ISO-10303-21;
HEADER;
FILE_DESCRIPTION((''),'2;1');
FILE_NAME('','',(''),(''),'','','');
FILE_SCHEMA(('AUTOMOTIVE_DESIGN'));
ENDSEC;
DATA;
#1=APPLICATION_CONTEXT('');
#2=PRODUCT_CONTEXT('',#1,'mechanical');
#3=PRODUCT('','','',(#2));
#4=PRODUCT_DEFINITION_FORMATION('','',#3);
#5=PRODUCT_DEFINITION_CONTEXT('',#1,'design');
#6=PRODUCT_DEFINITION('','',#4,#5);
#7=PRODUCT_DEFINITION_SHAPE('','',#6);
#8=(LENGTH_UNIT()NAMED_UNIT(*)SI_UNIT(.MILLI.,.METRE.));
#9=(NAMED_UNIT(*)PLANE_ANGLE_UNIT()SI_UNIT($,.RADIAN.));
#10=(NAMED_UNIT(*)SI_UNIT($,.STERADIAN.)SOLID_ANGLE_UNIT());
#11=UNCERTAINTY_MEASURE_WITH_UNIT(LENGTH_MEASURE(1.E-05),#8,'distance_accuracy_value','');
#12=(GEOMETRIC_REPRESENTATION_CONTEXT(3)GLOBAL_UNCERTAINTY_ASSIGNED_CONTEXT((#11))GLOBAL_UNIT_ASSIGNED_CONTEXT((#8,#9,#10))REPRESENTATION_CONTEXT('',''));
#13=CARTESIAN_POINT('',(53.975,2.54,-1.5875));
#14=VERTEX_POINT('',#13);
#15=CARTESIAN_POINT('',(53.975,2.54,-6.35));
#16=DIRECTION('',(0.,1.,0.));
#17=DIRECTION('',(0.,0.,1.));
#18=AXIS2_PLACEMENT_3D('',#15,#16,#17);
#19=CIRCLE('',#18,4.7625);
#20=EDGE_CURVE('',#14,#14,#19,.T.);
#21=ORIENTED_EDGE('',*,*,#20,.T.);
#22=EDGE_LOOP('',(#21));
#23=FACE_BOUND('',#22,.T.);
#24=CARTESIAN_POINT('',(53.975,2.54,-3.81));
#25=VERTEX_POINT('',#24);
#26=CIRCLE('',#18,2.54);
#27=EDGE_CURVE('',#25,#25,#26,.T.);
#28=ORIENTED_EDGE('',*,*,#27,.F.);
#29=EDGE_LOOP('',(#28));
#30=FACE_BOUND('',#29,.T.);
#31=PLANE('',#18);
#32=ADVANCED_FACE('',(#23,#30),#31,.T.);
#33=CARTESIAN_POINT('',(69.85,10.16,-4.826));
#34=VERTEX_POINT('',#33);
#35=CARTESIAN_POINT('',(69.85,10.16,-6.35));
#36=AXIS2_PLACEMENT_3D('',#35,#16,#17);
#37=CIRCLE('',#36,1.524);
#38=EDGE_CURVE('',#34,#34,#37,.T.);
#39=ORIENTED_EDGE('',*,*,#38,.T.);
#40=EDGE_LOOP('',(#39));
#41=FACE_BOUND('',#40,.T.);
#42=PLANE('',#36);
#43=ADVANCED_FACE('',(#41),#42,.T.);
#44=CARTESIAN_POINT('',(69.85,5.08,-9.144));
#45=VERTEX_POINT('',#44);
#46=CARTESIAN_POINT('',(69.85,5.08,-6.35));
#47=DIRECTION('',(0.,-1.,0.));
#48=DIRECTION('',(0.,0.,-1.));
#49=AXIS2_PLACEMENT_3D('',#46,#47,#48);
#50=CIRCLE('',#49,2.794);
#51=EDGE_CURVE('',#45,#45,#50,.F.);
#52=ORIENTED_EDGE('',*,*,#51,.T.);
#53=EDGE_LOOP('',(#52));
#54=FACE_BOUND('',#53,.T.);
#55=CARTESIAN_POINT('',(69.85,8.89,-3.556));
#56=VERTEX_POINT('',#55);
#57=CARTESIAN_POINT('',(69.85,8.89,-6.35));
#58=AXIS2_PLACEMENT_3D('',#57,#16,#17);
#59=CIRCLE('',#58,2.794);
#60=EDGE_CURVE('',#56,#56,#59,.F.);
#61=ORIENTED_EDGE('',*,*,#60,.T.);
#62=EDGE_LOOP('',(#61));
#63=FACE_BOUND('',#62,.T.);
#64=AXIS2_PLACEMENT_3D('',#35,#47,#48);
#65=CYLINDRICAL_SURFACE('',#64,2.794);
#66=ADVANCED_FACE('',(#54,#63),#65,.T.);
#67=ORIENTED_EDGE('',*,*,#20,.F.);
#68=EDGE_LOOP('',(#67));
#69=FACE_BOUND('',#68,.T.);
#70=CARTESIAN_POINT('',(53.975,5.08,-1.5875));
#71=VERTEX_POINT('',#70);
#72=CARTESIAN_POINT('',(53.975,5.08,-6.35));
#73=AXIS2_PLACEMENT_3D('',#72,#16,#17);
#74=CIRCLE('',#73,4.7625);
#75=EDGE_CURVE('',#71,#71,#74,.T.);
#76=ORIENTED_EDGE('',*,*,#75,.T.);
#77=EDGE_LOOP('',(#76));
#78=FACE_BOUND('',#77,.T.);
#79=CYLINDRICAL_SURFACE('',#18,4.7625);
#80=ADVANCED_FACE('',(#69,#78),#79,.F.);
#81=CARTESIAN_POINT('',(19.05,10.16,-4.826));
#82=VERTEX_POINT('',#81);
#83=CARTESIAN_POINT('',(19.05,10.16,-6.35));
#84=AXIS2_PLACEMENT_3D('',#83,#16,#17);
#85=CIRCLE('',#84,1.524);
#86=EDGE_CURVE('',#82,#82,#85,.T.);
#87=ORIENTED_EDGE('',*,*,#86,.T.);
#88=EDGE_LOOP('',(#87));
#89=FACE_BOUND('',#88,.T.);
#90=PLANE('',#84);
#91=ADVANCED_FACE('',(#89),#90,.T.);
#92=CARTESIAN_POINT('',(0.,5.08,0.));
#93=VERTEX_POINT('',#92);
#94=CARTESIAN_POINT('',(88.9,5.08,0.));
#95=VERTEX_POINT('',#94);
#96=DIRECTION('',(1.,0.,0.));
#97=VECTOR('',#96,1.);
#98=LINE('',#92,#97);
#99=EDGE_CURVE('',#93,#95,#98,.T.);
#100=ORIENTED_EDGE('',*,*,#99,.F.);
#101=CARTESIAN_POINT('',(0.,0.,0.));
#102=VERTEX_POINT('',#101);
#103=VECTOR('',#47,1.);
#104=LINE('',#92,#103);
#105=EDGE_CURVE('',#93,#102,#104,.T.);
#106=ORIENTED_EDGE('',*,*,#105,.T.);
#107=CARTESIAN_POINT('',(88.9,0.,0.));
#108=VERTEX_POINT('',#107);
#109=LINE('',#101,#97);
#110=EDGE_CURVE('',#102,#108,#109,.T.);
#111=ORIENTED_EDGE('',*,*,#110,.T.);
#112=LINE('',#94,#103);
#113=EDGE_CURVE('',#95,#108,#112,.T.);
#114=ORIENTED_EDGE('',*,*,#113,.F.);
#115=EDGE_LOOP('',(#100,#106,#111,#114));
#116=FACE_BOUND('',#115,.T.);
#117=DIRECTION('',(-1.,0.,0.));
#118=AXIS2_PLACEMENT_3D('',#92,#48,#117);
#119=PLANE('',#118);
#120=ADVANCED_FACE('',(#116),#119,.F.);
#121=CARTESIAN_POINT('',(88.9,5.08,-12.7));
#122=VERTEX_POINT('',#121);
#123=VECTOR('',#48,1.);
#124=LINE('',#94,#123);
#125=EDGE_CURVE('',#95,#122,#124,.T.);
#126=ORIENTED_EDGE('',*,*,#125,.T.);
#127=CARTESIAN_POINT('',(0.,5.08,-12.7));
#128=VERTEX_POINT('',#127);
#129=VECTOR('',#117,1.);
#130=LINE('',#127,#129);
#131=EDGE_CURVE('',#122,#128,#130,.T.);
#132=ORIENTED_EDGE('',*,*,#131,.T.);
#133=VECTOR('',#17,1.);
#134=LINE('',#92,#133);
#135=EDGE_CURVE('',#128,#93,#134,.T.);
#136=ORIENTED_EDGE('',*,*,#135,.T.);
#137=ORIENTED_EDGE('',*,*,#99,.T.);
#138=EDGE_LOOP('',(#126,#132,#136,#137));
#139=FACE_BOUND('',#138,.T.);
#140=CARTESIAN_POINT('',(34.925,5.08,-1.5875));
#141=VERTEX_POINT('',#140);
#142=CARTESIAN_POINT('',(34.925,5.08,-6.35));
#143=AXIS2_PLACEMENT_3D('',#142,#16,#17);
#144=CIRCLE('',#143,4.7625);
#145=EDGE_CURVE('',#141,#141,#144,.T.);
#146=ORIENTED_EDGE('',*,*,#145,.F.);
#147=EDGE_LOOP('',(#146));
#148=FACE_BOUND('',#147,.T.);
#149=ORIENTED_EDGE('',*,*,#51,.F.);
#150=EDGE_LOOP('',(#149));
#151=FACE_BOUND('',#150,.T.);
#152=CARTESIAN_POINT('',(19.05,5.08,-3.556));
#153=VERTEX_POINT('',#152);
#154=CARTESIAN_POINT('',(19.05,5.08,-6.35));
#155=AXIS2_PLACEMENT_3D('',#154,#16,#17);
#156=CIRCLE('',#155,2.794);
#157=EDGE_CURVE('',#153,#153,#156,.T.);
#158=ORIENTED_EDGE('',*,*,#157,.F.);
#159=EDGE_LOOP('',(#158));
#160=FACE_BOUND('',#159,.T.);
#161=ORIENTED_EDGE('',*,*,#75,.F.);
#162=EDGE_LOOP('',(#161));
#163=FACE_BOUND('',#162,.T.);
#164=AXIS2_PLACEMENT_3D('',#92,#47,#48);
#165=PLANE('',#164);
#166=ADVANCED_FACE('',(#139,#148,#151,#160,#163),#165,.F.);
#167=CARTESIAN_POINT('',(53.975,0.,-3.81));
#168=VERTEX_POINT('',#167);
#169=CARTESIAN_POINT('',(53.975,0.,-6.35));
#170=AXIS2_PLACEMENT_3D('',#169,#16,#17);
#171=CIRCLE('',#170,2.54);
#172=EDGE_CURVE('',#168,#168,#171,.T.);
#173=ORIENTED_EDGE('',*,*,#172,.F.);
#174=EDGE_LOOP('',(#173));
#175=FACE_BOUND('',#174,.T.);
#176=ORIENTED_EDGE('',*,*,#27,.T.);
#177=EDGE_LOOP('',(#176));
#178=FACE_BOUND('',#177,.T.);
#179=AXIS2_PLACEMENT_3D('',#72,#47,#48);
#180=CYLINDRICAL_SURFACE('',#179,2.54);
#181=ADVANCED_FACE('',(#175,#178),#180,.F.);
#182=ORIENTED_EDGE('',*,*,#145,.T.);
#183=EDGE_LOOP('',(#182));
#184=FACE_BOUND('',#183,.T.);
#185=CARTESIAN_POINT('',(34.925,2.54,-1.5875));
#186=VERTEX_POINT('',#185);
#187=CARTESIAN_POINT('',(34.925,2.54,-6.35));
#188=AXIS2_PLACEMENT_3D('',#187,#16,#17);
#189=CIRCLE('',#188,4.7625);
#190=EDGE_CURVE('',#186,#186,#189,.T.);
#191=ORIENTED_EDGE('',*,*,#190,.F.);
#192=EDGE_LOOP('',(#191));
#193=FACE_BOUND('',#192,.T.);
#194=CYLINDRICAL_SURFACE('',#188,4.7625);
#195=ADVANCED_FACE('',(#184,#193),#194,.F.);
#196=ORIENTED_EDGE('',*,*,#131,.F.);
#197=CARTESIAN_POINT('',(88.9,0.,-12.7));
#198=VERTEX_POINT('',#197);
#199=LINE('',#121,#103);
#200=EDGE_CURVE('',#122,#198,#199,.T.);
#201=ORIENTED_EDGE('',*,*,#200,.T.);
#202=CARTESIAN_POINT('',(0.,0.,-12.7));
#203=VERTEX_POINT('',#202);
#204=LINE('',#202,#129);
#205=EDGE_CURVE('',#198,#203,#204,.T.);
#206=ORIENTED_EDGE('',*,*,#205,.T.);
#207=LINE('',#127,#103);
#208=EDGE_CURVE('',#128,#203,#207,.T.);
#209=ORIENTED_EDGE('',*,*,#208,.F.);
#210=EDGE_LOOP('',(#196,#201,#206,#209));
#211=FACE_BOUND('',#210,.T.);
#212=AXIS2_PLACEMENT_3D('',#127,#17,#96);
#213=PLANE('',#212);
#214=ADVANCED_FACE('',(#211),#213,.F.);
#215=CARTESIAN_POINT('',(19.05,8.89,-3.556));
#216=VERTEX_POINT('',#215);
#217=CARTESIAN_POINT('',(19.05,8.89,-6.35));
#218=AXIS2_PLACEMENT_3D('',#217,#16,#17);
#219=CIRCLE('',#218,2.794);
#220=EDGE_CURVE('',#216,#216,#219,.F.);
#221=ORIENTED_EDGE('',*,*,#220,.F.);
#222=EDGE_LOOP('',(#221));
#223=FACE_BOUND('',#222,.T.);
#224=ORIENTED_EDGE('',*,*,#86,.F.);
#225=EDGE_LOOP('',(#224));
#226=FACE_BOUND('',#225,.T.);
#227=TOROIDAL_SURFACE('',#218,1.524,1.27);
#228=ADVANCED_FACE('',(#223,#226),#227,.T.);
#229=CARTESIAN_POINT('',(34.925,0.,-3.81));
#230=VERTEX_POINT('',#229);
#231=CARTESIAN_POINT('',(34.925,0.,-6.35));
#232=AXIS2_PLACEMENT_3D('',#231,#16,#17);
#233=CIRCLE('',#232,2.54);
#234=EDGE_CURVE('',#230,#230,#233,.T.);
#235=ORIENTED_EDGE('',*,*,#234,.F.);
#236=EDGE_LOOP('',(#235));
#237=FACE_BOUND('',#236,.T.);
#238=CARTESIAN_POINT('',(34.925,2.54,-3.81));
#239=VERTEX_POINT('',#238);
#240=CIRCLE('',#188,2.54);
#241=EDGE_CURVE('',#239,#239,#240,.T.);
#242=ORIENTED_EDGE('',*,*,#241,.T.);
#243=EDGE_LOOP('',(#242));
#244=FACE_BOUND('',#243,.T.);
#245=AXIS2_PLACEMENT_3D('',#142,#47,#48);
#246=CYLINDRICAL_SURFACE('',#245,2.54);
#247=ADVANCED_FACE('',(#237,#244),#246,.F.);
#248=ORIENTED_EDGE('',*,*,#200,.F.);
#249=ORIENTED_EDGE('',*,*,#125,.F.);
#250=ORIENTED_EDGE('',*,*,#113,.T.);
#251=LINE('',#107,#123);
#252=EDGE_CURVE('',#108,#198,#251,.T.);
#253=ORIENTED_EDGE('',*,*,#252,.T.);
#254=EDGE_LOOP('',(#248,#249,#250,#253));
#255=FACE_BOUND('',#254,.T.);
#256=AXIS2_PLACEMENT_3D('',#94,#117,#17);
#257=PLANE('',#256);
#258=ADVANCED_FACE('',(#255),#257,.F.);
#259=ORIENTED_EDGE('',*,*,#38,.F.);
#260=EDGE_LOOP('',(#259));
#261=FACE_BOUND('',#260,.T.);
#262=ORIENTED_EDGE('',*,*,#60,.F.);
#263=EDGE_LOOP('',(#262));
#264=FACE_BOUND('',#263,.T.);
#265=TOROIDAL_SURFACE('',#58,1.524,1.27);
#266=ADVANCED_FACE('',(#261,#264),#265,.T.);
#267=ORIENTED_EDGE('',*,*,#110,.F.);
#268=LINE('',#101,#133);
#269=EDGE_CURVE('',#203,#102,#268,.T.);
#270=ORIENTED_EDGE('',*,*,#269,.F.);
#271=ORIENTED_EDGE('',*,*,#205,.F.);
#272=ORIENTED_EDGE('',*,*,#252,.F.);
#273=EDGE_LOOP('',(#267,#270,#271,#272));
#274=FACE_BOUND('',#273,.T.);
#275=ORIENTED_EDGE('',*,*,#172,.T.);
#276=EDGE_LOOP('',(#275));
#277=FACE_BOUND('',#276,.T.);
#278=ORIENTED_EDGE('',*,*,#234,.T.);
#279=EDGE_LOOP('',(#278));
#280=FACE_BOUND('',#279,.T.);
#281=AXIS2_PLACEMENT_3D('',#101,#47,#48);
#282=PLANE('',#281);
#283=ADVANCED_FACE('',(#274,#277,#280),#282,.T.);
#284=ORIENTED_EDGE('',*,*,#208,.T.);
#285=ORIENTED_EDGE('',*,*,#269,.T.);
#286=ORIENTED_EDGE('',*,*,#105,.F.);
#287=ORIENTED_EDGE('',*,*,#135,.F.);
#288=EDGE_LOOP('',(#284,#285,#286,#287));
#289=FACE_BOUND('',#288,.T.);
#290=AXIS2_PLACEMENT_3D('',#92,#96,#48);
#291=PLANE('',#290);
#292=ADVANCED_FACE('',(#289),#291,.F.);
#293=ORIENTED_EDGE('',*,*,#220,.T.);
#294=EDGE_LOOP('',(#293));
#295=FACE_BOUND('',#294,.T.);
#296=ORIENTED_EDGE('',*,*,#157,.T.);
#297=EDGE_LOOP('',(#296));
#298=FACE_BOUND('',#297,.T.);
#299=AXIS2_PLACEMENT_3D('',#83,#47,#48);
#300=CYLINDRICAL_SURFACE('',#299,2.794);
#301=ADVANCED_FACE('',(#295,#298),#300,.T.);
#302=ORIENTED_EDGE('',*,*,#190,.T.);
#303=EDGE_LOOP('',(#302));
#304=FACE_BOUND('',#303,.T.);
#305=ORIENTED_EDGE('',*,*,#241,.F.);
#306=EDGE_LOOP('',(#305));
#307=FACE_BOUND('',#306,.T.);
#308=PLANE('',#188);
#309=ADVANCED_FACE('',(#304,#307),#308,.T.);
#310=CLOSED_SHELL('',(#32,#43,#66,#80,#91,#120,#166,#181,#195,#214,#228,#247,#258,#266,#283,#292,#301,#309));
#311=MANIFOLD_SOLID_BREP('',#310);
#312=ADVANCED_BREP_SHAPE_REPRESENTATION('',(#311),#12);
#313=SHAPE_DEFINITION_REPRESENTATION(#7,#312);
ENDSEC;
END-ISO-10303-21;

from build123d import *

# Parameters (mm, degrees)
SKETCH1_W           = 88.9
SKETCH1_H           = 12.7
SKETCH1_R           = 2.54
BOSS_EXTRUDE2_DEPTH = 5.08
SKETCH2_R           = 2.794
BOSS_EXTRUDE3_DEPTH = 5.08
FILLET1_R           = 1.27
SKETCH3_R           = 4.7625
CUT_EXTRUDE1_DEPTH  = 2.54


with BuildPart() as part:
    # Sketch1 → Boss-Extrude2 (new body)
    with BuildSketch(Plane(origin=(0, 0, 0), x_dir=(1, 0, 0), z_dir=(0, 1, 0))):
        with Locations((44.45, 6.35)):
            Rectangle(SKETCH1_W, SKETCH1_H)
        with Locations(Location((34.925, 6.35, 0), (0, 0, 270))):
            Circle(SKETCH1_R, mode=Mode.SUBTRACT)
        with Locations(Location((53.975, 6.35, 0), (0, 0, 270))):
            Circle(SKETCH1_R, mode=Mode.SUBTRACT)
    extrude(amount=BOSS_EXTRUDE2_DEPTH)

    # Sketch2 → Boss-Extrude3 (add)
    with BuildSketch(Plane(origin=(0, 5.08, 0), x_dir=(1, 0, 0), z_dir=(0, 1, 0))):
        with Locations(Location((19.05, 6.35, 0), (0, 0, 270))):
            Circle(SKETCH2_R)
        with Locations(Location((69.85, 6.35, 0), (0, 0, 90))):
            Circle(SKETCH2_R)
    extrude(amount=BOSS_EXTRUDE3_DEPTH)

    # Fillet1
    fillet1_edges = [part.edges().sort_by_distance(p)[0] for p in [
        (19.05, 10.16, -9.144),
        (69.85, 10.16, -3.556),
    ]]
    fillet(fillet1_edges, radius=FILLET1_R)

    # Sketch3 → Cut-Extrude1 (cut)
    with BuildSketch(Plane(origin=(0, 5.08, 0), x_dir=(1, 0, 0), z_dir=(0, 1, 0))):
        with Locations(Location((34.925, 6.35, 0), (0, 0, 270))):
            Circle(SKETCH3_R)
        with Locations(Location((53.975, 6.35, 0), (0, 0, 270))):
            Circle(SKETCH3_R)
    extrude(amount=-CUT_EXTRUDE1_DEPTH, mode=Mode.SUBTRACT)


solid = part.part
